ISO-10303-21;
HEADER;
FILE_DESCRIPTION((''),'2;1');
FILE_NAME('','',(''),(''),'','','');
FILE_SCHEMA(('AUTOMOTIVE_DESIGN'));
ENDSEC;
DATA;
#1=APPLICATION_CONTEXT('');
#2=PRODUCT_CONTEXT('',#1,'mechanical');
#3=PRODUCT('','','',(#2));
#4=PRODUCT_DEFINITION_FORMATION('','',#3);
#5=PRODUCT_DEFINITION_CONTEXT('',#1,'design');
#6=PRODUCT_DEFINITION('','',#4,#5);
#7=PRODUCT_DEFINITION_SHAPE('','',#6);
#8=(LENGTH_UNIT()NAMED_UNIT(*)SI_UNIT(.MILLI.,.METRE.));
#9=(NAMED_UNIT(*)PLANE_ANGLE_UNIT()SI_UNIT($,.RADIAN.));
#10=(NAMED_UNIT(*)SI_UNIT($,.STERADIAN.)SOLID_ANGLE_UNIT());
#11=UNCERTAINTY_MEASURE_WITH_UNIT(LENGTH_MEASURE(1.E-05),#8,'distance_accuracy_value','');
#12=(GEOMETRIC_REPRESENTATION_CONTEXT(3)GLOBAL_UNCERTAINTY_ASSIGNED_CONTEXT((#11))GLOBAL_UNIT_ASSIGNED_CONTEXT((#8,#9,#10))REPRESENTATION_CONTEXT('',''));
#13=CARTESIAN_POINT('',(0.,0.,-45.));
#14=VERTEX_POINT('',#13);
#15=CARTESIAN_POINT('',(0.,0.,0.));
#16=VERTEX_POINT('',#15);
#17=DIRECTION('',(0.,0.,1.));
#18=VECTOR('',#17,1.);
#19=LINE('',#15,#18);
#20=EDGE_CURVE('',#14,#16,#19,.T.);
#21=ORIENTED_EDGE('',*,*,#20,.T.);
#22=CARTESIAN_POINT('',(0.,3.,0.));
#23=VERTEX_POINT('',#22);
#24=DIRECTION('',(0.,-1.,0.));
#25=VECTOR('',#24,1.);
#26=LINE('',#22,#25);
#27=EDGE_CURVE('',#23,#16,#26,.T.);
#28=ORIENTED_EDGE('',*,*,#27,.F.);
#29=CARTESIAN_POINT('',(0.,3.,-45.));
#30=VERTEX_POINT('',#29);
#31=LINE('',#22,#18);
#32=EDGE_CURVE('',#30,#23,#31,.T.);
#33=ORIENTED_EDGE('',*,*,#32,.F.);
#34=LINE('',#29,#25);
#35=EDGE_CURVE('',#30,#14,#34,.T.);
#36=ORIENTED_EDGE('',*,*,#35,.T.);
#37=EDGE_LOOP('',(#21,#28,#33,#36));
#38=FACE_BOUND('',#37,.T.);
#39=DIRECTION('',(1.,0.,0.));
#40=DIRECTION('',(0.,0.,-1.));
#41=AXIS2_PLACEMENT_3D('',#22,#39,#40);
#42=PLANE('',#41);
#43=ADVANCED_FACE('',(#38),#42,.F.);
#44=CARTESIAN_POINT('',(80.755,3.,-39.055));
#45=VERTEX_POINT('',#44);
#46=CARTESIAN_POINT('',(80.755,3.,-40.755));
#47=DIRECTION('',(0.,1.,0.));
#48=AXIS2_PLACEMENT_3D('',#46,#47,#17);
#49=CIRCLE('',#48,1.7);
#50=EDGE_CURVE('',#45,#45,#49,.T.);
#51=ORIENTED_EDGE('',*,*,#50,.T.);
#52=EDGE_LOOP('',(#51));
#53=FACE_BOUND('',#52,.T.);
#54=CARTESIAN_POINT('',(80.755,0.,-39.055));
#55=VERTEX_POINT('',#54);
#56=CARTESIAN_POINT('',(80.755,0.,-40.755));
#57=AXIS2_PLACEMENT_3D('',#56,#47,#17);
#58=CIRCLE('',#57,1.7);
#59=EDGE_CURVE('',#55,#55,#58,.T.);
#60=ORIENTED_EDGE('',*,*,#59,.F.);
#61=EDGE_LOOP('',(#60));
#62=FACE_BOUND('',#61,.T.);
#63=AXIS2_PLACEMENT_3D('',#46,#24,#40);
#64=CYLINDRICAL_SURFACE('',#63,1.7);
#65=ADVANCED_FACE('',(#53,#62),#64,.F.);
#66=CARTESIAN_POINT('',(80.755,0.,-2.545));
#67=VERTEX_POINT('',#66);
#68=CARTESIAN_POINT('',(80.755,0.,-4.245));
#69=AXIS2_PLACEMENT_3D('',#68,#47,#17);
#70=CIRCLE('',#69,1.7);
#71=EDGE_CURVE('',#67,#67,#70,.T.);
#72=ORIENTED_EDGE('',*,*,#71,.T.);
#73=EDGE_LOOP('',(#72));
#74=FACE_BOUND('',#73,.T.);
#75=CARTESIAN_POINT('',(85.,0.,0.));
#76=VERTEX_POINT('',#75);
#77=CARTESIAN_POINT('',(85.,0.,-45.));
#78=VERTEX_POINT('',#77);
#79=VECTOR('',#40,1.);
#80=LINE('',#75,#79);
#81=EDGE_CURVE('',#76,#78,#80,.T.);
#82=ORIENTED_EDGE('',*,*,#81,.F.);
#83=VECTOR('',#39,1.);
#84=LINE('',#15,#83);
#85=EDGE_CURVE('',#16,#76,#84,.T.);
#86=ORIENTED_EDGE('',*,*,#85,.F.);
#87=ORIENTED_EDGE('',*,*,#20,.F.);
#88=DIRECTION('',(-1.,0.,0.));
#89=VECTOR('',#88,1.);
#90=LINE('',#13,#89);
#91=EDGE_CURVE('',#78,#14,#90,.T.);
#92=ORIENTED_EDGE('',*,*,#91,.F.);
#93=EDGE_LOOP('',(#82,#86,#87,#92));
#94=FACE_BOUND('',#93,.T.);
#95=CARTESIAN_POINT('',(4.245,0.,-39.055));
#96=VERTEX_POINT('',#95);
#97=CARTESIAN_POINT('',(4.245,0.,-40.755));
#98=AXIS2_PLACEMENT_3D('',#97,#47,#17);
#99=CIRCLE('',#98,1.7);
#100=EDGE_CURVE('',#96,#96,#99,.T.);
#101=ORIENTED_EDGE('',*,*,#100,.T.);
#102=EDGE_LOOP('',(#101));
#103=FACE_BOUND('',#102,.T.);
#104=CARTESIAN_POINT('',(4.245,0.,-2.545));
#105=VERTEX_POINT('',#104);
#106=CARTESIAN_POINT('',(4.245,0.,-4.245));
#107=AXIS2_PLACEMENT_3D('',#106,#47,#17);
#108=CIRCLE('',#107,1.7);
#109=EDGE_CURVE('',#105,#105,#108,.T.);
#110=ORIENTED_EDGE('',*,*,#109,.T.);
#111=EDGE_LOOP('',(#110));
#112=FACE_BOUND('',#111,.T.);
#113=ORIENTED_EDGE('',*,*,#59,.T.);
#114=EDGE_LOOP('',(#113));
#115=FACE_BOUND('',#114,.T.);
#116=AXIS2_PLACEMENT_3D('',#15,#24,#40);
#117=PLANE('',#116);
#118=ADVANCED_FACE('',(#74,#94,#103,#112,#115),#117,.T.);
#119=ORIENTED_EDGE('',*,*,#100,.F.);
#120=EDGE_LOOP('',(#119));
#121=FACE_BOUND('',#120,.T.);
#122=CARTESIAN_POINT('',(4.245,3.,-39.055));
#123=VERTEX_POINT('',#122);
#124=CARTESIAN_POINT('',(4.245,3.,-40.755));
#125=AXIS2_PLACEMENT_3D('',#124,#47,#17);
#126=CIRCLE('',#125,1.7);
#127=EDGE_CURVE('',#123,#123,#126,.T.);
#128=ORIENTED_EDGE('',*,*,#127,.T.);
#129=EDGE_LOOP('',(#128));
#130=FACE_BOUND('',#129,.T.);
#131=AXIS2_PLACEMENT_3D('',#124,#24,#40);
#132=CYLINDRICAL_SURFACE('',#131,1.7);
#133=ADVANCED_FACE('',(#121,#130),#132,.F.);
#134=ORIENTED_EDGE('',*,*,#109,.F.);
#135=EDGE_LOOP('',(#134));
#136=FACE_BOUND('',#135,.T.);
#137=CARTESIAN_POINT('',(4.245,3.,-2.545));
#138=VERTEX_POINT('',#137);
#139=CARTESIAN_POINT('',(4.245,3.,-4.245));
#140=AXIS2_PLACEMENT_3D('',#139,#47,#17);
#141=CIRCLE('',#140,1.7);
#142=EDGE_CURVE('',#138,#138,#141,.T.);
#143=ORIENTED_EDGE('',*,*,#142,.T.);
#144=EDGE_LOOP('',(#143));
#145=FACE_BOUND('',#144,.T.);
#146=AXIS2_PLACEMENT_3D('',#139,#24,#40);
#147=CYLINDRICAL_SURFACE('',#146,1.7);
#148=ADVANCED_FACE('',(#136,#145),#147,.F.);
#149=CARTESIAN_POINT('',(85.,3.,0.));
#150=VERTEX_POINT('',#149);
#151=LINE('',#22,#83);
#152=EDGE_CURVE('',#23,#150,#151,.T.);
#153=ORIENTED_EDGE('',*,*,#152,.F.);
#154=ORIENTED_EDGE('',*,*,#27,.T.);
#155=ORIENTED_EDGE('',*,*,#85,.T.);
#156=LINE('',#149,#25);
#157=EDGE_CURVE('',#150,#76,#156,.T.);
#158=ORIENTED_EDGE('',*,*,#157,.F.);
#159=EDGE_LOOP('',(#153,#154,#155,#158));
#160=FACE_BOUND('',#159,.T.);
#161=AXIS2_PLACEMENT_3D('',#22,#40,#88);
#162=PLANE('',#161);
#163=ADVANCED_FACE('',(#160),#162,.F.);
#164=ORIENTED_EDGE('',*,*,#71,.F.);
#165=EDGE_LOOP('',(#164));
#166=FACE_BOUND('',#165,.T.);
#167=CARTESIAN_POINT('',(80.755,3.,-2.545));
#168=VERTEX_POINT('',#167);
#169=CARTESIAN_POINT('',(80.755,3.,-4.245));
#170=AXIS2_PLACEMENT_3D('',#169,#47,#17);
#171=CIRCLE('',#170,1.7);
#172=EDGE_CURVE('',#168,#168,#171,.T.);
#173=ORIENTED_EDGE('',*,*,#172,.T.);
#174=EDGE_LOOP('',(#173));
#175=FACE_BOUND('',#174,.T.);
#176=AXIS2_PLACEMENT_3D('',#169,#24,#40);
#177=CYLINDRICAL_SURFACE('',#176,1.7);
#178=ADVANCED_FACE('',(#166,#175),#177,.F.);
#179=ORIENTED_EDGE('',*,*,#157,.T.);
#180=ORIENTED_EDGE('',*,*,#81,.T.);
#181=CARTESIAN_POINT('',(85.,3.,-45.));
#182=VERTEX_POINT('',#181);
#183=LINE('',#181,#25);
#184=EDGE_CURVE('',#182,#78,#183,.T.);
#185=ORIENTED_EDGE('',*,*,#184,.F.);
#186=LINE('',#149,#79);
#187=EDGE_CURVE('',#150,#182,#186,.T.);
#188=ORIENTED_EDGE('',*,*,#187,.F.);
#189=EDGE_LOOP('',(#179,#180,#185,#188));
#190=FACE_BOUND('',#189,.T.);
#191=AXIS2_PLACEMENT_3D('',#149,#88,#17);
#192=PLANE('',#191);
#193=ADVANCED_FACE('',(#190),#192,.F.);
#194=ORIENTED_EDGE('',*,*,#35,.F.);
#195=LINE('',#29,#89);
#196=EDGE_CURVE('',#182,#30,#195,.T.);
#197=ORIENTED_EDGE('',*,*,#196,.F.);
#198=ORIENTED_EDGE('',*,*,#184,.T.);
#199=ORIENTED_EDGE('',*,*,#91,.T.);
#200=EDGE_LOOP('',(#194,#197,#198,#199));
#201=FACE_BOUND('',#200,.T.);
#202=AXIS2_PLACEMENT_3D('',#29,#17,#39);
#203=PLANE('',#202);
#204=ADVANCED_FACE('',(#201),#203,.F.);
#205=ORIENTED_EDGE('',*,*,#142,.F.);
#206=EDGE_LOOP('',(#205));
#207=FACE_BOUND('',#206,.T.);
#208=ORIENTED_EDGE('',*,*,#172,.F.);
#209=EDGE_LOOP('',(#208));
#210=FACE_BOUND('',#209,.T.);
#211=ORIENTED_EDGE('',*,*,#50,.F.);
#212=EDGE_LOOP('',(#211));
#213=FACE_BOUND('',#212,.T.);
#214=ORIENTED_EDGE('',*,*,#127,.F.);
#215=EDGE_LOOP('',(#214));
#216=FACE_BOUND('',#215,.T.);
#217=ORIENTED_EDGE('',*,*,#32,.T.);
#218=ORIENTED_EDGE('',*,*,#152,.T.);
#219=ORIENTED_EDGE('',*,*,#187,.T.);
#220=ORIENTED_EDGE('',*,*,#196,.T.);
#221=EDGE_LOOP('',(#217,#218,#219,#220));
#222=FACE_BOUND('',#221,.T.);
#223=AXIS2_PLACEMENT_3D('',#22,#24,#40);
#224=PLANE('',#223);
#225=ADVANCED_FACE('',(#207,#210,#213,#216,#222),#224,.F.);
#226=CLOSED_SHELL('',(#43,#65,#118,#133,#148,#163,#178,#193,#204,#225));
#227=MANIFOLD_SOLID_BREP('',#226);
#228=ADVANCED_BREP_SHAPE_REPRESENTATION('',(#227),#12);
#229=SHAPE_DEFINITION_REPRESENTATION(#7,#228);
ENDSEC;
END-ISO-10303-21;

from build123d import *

# Parameters (mm, degrees)
SKETCH1_W           = 85
SKETCH1_H           = 45
SKETCH1_R           = 1.7
BOSS_EXTRUDE1_DEPTH = 3


with BuildPart() as part:
    # Sketch1 → Boss-Extrude1 (new body)
    with BuildSketch(Plane(origin=(0, 0, 0), x_dir=(1, 0, 0), z_dir=(0, 1, 0))):
        with Locations((42.5, 22.5)):
            Rectangle(SKETCH1_W, SKETCH1_H)
        with Locations(Location((4.245, 40.755, 0), (0, 0, 270))):
            Circle(SKETCH1_R, mode=Mode.SUBTRACT)
        with Locations(Location((80.755, 40.755, 0), (0, 0, 270))):
            Circle(SKETCH1_R, mode=Mode.SUBTRACT)
        with Locations(Location((4.245, 4.245, 0), (0, 0, 270))):
            Circle(SKETCH1_R, mode=Mode.SUBTRACT)
        with Locations(Location((80.755, 4.245, 0), (0, 0, 270))):
            Circle(SKETCH1_R, mode=Mode.SUBTRACT)
    extrude(amount=BOSS_EXTRUDE1_DEPTH)


solid = part.part
